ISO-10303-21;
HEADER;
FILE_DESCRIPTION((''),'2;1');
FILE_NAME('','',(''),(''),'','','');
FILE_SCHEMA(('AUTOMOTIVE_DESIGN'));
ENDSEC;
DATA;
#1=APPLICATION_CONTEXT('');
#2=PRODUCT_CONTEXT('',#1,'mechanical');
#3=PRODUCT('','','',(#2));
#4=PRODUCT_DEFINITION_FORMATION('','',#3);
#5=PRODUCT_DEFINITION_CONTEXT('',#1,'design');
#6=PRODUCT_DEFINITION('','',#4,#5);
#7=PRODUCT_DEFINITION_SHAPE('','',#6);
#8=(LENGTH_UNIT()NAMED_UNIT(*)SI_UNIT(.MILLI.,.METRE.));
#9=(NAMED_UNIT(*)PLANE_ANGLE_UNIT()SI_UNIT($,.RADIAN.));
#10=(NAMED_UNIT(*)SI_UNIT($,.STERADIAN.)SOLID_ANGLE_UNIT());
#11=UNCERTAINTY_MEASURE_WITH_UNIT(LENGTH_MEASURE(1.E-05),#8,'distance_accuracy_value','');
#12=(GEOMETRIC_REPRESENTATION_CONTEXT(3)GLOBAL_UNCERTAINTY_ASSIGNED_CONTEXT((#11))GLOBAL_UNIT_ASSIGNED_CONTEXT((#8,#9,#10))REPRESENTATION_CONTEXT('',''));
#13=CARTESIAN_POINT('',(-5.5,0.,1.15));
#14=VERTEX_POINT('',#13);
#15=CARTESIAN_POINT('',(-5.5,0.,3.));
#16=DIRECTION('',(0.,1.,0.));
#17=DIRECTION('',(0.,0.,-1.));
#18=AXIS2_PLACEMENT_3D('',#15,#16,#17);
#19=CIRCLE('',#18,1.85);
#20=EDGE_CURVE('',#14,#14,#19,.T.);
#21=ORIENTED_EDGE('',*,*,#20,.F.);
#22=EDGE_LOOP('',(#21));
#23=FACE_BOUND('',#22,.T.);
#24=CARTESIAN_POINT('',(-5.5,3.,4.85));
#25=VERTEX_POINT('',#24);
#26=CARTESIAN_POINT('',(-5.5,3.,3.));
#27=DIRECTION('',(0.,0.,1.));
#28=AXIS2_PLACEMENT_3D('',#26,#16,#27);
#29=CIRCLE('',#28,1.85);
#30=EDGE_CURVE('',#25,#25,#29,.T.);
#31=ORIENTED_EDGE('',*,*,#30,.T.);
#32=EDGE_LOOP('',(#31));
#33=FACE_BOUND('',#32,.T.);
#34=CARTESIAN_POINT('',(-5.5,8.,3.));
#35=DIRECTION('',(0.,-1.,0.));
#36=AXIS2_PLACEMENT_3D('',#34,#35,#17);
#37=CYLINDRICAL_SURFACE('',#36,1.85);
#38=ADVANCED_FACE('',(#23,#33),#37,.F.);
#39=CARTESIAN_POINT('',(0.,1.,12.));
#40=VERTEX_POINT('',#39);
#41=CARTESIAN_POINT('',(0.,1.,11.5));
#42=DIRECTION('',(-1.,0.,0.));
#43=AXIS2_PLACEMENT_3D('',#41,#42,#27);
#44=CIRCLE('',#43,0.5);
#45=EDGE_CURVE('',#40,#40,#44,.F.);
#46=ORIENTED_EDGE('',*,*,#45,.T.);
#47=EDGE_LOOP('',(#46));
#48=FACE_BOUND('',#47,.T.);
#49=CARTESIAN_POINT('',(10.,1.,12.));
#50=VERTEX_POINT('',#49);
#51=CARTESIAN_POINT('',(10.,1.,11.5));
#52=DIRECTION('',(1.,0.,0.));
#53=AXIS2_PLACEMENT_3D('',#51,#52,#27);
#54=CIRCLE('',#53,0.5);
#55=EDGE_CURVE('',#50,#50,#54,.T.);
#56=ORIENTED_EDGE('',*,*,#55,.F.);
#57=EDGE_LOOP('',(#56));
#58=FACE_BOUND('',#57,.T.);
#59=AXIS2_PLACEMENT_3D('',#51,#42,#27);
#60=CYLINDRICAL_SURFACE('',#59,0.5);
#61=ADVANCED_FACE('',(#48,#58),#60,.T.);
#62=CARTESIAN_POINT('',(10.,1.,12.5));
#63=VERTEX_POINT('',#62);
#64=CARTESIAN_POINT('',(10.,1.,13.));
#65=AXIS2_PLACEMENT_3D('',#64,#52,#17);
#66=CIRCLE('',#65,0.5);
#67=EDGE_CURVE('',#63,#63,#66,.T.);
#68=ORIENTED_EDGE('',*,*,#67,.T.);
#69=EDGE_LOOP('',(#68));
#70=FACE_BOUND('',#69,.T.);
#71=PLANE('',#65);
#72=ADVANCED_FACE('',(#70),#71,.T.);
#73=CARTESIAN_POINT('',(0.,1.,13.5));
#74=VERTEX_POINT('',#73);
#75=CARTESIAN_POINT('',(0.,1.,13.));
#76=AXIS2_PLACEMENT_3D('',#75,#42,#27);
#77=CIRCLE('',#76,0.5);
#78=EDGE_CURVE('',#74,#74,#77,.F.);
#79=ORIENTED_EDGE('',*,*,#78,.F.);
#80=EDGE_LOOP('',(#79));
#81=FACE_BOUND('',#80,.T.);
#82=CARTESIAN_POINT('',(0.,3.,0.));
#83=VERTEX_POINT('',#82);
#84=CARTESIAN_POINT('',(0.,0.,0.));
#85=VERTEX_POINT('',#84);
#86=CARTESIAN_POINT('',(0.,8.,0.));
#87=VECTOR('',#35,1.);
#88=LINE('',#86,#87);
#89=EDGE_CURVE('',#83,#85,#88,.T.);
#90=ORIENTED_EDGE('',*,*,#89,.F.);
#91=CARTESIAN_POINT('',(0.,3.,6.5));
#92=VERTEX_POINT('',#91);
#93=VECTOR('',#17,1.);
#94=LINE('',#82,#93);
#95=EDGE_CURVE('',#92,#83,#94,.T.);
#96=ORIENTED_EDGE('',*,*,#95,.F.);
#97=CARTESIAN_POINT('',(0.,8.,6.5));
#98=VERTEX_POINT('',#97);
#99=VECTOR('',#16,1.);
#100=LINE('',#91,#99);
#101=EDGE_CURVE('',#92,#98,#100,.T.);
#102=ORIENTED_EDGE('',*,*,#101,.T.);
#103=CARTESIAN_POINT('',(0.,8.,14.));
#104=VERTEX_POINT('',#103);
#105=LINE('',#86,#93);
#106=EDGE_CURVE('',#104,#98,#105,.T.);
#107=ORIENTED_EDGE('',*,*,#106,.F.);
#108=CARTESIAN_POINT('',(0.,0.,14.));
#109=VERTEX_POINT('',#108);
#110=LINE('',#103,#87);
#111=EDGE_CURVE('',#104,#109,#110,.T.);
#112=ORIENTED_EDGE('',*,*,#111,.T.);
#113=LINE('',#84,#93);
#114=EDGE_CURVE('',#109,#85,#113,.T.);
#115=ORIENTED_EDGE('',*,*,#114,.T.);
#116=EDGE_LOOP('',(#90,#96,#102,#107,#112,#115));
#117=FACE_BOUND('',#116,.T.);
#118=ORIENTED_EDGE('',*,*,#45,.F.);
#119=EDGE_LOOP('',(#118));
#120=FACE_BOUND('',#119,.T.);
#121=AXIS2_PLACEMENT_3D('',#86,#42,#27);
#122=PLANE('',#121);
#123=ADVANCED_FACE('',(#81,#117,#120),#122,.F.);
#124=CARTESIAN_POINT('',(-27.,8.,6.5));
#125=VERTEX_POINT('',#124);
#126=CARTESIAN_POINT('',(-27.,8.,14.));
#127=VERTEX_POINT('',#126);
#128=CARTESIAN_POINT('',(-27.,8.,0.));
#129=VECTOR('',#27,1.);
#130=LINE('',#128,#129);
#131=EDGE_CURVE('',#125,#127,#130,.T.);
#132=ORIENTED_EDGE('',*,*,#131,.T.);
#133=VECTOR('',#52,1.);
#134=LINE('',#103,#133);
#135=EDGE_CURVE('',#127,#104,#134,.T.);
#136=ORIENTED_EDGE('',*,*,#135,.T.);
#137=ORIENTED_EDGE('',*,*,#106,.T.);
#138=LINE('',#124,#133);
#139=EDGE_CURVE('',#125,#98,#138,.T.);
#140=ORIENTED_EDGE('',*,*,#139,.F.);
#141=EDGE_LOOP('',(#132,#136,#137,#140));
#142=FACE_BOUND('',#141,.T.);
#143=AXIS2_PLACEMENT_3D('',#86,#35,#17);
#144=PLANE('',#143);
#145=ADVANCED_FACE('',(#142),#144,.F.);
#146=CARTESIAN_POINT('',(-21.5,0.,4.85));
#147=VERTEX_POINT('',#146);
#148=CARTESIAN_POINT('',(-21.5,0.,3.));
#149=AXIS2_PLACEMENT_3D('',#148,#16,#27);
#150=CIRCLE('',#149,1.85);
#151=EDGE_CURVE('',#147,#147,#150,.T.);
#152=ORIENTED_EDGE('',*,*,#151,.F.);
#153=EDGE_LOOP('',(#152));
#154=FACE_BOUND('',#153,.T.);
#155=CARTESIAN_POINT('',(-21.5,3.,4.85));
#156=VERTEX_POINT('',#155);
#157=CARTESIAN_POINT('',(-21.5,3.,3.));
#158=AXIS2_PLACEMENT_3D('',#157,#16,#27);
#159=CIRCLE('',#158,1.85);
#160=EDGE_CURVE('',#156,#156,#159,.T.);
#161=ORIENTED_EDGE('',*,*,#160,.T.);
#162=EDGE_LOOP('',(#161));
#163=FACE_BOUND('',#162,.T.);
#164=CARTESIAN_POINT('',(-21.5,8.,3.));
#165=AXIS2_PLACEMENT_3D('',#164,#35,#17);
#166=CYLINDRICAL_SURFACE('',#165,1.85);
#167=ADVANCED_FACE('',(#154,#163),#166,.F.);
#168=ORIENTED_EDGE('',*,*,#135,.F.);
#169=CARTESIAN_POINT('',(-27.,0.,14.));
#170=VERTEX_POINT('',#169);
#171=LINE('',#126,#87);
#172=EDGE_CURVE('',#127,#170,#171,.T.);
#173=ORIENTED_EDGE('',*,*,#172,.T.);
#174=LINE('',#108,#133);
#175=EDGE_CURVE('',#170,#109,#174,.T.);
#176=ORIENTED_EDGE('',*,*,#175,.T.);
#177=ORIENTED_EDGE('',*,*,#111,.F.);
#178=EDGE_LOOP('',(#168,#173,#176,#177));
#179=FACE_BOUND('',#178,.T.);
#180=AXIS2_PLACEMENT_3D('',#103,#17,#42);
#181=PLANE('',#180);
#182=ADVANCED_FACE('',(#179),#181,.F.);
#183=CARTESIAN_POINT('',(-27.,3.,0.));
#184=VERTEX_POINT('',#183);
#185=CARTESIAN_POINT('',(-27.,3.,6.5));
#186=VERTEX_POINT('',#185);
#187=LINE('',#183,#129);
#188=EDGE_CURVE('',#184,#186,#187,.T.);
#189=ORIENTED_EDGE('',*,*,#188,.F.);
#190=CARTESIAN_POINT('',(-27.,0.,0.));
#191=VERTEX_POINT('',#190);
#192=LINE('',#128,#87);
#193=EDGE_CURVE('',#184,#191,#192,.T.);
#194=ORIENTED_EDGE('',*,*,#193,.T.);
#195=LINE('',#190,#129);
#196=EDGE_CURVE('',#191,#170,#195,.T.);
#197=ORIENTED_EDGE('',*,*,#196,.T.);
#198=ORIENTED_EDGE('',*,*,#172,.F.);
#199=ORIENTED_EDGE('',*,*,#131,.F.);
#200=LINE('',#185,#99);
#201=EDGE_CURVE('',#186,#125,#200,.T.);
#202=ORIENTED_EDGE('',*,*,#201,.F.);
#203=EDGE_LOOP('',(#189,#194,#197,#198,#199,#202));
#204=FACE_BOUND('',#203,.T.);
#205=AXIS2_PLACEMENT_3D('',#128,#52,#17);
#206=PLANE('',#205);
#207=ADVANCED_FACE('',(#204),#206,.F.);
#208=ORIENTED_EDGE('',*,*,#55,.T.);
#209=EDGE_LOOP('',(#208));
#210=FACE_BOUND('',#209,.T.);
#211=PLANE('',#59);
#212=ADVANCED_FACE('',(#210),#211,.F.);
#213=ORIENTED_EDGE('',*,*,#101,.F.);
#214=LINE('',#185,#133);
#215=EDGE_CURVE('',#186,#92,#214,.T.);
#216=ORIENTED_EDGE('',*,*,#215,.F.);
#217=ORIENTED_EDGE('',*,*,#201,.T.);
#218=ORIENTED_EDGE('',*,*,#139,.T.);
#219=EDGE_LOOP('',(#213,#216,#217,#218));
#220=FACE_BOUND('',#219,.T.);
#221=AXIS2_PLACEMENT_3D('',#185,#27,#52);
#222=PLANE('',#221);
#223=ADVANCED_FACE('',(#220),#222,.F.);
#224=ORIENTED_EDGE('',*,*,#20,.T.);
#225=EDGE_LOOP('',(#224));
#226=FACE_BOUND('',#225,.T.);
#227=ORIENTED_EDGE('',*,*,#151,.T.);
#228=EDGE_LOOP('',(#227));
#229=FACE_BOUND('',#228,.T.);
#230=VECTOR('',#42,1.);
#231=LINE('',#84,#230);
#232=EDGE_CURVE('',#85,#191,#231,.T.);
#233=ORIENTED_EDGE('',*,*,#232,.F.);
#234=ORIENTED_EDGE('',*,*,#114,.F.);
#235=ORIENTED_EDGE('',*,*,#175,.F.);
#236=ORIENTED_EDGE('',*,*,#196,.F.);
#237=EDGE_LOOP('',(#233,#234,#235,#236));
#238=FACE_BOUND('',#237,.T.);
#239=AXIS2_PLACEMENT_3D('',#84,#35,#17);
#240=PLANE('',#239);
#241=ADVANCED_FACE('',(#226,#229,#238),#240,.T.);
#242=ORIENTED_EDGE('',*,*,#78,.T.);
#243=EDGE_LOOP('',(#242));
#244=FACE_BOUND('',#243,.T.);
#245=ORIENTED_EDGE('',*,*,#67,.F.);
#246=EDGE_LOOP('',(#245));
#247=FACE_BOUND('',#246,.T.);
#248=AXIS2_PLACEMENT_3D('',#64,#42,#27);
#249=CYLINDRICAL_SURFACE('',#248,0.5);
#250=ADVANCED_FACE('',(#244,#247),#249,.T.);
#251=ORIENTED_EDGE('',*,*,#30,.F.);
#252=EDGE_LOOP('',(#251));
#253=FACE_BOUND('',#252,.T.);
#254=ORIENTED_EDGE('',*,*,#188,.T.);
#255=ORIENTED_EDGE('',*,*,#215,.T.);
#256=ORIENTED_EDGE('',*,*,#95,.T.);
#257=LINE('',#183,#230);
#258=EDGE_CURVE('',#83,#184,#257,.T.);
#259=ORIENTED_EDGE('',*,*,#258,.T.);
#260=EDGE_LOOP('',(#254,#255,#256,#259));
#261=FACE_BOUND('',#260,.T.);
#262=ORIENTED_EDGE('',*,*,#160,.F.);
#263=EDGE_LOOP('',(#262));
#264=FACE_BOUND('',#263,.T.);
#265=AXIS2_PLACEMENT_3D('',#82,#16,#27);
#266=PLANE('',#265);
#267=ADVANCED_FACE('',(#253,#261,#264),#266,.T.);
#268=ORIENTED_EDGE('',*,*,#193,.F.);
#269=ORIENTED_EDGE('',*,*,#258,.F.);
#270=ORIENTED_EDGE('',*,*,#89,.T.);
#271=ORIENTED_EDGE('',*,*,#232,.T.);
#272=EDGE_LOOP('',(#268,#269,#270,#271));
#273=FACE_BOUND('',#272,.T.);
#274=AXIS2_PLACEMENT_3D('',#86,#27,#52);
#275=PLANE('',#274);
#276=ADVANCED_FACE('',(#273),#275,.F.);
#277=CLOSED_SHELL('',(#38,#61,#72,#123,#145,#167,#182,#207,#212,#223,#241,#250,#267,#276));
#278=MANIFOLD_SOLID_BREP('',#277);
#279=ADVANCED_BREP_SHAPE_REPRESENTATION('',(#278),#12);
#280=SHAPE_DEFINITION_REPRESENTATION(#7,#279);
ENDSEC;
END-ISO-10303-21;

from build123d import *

# Parameters (mm, degrees)
CROQUIS1_W              = 27
CROQUIS1_H              = 14
CROQUIS1_R              = 1.85
SALIENTE_EXTRUIR1_DEPTH = 8
CROQUIS2_W              = 27
CROQUIS2_H              = 6.5
CORTAR_EXTRUIR1_DEPTH   = 5
CROQUIS3_R              = 0.5
SALIENTE_EXTRUIR2_DEPTH = 10


with BuildPart() as part:
    # Croquis1 → Saliente-Extruir1 (new body)
    with BuildSketch(Plane(origin=(0, 0, 0), x_dir=(1, 0, 0), z_dir=(0, 1, 0))):
        with Locations((-13.5, -7)):
            Rectangle(CROQUIS1_W, CROQUIS1_H)
        with Locations(Location((-21.5, -3, 0), (0, 0, 270))):
            Circle(CROQUIS1_R, mode=Mode.SUBTRACT)
        with Locations(Location((-5.5, -3, 0), (0, 0, 90))):
            Circle(CROQUIS1_R, mode=Mode.SUBTRACT)
    extrude(amount=SALIENTE_EXTRUIR1_DEPTH)

    # Croquis2 → Cortar-Extruir1 (cut)
    with BuildSketch(Plane(origin=(0, 8, 0), x_dir=(1, 0, 0), z_dir=(0, 1, 0))):
        with Locations((-13.5, -3.25)):
            Rectangle(CROQUIS2_W, CROQUIS2_H)
    extrude(amount=-CORTAR_EXTRUIR1_DEPTH, mode=Mode.SUBTRACT)

    # Croquis3 → Saliente-Extruir2 (add)
    with BuildSketch(Plane(origin=(0, 0, 0), x_dir=(0, 0, -1), z_dir=(1, 0, 0))):
        with Locations(Location((-13, 1, 0), (0, 0, 180))):
            Circle(CROQUIS3_R)
        with Locations(Location((-11.5, 1, 0), (0, 0, 180))):
            Circle(CROQUIS3_R)
    extrude(amount=SALIENTE_EXTRUIR2_DEPTH)


solid = part.part
